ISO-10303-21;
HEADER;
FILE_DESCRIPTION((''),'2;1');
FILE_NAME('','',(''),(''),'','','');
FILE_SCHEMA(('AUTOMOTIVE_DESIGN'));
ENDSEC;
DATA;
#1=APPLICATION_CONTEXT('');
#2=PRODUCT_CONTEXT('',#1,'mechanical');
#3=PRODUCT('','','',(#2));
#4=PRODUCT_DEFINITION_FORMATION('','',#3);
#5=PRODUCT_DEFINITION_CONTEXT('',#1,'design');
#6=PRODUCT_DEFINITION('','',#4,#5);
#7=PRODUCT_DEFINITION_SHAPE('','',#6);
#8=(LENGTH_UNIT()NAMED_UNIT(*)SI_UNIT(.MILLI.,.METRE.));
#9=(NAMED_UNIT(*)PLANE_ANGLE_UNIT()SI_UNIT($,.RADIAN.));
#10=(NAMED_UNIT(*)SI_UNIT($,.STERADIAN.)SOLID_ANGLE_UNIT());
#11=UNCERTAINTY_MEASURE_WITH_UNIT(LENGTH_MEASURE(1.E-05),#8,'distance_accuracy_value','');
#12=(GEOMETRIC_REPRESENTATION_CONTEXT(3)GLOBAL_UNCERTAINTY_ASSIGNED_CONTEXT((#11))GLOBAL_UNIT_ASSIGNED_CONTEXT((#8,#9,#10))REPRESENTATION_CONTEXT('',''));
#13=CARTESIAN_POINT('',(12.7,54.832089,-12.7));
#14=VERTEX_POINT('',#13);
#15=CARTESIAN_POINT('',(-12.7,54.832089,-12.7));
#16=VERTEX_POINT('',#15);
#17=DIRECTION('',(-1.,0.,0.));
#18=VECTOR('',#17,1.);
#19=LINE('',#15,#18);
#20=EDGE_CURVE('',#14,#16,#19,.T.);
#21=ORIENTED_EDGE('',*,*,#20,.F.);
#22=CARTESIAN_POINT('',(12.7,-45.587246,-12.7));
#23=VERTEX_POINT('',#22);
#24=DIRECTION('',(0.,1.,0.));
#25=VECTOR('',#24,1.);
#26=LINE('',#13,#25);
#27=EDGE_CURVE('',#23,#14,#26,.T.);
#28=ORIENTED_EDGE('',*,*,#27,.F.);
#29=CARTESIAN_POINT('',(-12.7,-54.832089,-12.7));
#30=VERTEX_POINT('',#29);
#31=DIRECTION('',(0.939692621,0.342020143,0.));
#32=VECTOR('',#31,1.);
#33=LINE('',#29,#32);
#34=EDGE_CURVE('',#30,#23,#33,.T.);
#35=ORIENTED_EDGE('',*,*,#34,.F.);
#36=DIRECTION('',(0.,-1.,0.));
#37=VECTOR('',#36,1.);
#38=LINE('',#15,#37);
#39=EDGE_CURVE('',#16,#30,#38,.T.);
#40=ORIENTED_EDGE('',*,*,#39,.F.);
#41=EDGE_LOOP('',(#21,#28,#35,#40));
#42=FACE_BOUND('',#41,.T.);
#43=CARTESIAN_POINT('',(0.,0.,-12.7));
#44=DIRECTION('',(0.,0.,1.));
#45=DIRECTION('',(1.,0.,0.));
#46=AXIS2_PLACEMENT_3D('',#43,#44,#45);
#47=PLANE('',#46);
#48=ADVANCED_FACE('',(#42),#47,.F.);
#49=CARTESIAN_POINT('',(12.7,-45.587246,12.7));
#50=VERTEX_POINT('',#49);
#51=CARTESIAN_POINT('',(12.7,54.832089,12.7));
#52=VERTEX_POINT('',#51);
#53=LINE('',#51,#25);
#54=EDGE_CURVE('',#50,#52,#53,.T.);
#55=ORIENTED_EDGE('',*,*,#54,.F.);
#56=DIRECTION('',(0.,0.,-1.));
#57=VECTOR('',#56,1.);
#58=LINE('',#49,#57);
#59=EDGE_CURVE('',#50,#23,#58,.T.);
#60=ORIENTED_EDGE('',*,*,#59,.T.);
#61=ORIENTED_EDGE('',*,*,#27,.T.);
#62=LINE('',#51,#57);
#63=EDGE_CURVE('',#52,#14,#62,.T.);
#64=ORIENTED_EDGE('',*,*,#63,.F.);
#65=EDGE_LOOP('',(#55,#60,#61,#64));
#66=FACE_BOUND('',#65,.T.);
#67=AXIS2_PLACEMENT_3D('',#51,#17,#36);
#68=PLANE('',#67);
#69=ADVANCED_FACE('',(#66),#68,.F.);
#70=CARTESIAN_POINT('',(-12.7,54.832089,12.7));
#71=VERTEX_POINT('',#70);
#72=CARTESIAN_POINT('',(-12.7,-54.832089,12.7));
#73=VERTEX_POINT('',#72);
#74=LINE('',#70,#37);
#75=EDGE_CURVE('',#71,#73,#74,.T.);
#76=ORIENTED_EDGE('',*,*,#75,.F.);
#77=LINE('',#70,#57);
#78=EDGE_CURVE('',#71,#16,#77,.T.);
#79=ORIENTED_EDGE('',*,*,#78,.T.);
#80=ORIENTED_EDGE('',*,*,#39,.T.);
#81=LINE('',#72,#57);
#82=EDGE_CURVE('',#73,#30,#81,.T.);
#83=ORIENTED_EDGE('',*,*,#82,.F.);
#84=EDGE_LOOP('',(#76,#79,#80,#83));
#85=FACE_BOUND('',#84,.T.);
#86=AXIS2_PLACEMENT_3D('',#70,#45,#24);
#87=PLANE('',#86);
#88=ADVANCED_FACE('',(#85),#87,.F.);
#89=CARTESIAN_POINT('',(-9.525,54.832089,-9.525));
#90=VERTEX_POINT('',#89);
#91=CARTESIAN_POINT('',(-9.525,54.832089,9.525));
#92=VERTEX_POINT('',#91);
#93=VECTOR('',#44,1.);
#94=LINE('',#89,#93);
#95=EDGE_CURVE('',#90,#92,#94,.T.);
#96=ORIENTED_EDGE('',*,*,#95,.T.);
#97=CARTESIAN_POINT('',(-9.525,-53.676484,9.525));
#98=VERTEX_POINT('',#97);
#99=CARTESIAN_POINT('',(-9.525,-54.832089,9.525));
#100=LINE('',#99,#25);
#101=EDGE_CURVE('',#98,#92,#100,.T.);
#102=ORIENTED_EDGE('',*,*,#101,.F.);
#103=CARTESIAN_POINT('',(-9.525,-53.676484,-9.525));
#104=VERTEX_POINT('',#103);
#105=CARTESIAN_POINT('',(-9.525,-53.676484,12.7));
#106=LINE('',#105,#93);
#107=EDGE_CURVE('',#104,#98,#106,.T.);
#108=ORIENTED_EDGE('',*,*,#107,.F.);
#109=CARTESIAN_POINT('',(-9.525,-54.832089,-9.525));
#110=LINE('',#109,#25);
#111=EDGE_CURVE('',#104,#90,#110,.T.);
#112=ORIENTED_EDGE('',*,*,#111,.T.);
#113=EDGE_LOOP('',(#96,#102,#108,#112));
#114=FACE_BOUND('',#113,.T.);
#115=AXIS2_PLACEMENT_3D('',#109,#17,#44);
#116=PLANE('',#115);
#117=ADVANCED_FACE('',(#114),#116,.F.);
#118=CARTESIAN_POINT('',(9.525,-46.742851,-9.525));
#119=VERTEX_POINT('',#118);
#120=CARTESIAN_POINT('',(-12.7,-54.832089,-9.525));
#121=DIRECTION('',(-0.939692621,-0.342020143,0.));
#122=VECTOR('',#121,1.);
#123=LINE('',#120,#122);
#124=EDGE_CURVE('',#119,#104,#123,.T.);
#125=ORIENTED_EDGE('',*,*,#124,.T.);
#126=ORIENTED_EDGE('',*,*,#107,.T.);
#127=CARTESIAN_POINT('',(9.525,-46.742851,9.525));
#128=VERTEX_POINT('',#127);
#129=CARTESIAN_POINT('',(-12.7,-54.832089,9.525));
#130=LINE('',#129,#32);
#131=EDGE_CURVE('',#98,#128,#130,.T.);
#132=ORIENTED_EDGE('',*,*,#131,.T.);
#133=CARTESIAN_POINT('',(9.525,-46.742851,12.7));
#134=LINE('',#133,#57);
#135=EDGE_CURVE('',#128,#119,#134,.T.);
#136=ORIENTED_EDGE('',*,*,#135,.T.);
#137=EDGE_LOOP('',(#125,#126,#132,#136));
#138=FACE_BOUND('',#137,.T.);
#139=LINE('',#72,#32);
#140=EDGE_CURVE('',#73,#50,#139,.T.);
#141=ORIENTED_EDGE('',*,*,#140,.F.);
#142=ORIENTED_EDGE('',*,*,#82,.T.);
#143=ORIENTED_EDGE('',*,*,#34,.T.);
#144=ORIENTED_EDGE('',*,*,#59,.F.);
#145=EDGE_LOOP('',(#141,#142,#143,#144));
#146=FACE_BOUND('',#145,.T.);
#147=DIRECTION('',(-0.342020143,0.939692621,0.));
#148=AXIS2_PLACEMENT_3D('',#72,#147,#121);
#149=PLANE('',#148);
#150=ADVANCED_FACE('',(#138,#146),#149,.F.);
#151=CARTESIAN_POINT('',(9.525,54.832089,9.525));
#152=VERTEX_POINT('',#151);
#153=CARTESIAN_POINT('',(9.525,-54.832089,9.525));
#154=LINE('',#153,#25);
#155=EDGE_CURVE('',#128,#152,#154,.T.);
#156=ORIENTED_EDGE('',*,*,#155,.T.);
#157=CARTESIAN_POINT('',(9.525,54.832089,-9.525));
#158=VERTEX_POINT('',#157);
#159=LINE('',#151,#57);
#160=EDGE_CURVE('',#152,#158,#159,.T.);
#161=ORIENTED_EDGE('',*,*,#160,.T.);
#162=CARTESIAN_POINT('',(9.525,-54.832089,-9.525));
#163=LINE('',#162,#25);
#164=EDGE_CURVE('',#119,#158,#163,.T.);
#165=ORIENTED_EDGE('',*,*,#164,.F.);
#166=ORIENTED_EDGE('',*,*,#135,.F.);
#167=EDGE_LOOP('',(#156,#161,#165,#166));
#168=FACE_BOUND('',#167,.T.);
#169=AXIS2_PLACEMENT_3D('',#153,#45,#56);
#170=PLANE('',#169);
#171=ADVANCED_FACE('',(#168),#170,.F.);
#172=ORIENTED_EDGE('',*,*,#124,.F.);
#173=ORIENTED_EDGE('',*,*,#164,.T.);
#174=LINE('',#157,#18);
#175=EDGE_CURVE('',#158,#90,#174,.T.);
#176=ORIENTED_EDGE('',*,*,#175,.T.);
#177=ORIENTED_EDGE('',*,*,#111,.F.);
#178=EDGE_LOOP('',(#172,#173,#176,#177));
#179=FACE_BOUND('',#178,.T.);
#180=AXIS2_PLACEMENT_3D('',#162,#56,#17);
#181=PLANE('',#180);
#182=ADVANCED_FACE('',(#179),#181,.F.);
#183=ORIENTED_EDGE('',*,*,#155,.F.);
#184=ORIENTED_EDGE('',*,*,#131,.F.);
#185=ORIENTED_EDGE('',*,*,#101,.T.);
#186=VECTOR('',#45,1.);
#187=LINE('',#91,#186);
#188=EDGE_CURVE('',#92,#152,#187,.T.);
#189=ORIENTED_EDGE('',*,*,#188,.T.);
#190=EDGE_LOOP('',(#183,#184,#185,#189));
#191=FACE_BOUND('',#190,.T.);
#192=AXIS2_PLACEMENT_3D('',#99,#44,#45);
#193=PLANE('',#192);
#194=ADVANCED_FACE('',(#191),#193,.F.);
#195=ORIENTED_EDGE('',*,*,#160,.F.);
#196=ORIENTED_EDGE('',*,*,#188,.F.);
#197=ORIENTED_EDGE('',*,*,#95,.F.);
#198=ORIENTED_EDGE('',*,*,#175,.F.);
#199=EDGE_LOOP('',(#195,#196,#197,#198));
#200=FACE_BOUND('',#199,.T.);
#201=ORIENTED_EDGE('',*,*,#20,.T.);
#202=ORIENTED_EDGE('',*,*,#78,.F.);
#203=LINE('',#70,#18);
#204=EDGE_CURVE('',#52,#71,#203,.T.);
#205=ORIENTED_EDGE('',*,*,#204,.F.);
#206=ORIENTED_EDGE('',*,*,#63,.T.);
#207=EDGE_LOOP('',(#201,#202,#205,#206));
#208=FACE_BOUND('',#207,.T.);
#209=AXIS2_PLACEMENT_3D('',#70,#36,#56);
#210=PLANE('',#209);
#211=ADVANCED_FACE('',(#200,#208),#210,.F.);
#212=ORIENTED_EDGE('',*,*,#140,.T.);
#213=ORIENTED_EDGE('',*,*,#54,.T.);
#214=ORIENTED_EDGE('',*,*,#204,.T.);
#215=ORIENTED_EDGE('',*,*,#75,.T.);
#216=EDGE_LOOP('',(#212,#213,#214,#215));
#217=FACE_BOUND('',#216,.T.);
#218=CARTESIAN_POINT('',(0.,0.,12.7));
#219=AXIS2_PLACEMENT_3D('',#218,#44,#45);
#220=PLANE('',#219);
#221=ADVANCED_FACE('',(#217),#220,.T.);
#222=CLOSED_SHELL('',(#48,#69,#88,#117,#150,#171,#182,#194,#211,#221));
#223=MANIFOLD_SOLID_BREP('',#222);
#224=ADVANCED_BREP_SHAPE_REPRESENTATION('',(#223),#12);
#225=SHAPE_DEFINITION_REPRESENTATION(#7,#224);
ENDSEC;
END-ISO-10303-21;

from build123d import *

# Parameters (mm, degrees)
BOSS_EXTRUDE1_DEPTH = 12.7
SKETCH2_W           = 19.05
SKETCH2_H           = 19.05
CUT_EXTRUDE1_DEPTH  = 112.125209326


with BuildPart() as part:
    # Sketch1 → Boss-Extrude1 (new, symmetric)
    with BuildSketch(Plane.XY):
        Polygon((-12.7, -54.832089482), (12.7, -45.587245531), (12.7, 54.832089482), (-12.7, 54.832089482), align=None)
    extrude(amount=BOSS_EXTRUDE1_DEPTH, both=True)

    # Sketch2 → Cut-Extrude1 (cut, through all)
    with BuildSketch(Plane(origin=(0, 54.832089482, 0), x_dir=(1, 0, 0), z_dir=(0, 1, 0))):
        Rectangle(SKETCH2_W, SKETCH2_H)
    extrude(amount=-CUT_EXTRUDE1_DEPTH, mode=Mode.SUBTRACT)


solid = part.part
